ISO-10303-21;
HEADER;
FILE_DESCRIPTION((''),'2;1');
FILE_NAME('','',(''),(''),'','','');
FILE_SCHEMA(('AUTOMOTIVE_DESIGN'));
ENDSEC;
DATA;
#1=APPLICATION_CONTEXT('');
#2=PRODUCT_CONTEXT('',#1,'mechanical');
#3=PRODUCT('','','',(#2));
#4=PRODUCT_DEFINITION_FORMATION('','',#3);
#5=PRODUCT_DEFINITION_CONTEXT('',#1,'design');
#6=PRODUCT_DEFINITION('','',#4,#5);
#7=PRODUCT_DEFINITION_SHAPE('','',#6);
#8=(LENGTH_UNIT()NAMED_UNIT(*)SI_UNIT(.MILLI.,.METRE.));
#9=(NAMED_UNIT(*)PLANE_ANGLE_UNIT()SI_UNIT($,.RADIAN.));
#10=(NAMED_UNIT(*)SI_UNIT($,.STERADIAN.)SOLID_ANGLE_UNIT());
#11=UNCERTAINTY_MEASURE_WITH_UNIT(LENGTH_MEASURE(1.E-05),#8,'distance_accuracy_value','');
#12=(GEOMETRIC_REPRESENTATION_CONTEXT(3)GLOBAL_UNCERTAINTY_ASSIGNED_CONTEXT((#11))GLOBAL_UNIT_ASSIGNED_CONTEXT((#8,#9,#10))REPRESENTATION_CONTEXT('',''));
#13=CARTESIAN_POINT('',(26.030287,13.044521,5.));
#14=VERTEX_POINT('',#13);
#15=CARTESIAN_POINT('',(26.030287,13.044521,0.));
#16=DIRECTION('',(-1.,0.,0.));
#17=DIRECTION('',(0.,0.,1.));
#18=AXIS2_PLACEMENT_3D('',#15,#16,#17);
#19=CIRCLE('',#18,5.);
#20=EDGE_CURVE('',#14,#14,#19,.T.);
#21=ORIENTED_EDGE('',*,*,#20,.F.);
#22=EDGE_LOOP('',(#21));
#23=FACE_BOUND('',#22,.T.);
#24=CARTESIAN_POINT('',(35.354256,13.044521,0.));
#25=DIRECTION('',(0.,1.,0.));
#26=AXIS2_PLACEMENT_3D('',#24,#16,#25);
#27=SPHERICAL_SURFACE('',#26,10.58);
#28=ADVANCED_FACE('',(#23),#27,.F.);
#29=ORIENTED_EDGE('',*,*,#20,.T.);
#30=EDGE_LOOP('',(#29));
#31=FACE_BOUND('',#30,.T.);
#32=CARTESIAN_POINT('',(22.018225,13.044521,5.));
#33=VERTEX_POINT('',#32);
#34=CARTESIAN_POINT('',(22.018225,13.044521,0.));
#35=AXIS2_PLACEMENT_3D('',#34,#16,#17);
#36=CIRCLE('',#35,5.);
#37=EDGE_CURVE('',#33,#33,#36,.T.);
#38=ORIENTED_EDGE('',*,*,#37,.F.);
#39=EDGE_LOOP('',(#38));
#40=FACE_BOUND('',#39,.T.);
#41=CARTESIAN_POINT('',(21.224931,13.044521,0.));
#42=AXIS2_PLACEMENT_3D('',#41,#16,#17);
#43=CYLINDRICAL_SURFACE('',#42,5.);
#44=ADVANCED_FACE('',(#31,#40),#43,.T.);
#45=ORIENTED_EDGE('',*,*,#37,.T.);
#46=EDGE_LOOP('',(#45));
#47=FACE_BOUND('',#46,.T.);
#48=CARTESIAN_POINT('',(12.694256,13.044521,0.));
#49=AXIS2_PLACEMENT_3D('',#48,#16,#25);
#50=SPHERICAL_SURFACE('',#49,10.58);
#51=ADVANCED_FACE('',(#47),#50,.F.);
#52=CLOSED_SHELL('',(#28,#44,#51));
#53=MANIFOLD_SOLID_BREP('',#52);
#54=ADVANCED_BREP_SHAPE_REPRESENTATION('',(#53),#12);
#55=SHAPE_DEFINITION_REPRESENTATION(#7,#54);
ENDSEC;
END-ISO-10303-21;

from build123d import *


with BuildPart() as part:
    # 草图1 → 旋转1 (revolve)
    with BuildSketch(Plane.XY):
        with BuildLine():
            Line((23.274256364, 13.044520575), (24.774256364, 13.044520575))
            ThreePointArc((24.774256364, 13.044520575), (25.093067515, 15.622194603), (26.030287252, 18.044520575))
            Line((26.030287252, 18.044520575), (24.024256364, 18.044520575))
            Line((24.024256364, 18.044520575), (22.018225476, 18.044520575))
            ThreePointArc((22.018225476, 18.044520575), (22.955445213, 15.622194603), (23.274256364, 13.044520575))
        make_face()
    revolve(axis=Axis((21.224930557, 13.044520575, 0), (1, 0, 0)))


solid = part.part
